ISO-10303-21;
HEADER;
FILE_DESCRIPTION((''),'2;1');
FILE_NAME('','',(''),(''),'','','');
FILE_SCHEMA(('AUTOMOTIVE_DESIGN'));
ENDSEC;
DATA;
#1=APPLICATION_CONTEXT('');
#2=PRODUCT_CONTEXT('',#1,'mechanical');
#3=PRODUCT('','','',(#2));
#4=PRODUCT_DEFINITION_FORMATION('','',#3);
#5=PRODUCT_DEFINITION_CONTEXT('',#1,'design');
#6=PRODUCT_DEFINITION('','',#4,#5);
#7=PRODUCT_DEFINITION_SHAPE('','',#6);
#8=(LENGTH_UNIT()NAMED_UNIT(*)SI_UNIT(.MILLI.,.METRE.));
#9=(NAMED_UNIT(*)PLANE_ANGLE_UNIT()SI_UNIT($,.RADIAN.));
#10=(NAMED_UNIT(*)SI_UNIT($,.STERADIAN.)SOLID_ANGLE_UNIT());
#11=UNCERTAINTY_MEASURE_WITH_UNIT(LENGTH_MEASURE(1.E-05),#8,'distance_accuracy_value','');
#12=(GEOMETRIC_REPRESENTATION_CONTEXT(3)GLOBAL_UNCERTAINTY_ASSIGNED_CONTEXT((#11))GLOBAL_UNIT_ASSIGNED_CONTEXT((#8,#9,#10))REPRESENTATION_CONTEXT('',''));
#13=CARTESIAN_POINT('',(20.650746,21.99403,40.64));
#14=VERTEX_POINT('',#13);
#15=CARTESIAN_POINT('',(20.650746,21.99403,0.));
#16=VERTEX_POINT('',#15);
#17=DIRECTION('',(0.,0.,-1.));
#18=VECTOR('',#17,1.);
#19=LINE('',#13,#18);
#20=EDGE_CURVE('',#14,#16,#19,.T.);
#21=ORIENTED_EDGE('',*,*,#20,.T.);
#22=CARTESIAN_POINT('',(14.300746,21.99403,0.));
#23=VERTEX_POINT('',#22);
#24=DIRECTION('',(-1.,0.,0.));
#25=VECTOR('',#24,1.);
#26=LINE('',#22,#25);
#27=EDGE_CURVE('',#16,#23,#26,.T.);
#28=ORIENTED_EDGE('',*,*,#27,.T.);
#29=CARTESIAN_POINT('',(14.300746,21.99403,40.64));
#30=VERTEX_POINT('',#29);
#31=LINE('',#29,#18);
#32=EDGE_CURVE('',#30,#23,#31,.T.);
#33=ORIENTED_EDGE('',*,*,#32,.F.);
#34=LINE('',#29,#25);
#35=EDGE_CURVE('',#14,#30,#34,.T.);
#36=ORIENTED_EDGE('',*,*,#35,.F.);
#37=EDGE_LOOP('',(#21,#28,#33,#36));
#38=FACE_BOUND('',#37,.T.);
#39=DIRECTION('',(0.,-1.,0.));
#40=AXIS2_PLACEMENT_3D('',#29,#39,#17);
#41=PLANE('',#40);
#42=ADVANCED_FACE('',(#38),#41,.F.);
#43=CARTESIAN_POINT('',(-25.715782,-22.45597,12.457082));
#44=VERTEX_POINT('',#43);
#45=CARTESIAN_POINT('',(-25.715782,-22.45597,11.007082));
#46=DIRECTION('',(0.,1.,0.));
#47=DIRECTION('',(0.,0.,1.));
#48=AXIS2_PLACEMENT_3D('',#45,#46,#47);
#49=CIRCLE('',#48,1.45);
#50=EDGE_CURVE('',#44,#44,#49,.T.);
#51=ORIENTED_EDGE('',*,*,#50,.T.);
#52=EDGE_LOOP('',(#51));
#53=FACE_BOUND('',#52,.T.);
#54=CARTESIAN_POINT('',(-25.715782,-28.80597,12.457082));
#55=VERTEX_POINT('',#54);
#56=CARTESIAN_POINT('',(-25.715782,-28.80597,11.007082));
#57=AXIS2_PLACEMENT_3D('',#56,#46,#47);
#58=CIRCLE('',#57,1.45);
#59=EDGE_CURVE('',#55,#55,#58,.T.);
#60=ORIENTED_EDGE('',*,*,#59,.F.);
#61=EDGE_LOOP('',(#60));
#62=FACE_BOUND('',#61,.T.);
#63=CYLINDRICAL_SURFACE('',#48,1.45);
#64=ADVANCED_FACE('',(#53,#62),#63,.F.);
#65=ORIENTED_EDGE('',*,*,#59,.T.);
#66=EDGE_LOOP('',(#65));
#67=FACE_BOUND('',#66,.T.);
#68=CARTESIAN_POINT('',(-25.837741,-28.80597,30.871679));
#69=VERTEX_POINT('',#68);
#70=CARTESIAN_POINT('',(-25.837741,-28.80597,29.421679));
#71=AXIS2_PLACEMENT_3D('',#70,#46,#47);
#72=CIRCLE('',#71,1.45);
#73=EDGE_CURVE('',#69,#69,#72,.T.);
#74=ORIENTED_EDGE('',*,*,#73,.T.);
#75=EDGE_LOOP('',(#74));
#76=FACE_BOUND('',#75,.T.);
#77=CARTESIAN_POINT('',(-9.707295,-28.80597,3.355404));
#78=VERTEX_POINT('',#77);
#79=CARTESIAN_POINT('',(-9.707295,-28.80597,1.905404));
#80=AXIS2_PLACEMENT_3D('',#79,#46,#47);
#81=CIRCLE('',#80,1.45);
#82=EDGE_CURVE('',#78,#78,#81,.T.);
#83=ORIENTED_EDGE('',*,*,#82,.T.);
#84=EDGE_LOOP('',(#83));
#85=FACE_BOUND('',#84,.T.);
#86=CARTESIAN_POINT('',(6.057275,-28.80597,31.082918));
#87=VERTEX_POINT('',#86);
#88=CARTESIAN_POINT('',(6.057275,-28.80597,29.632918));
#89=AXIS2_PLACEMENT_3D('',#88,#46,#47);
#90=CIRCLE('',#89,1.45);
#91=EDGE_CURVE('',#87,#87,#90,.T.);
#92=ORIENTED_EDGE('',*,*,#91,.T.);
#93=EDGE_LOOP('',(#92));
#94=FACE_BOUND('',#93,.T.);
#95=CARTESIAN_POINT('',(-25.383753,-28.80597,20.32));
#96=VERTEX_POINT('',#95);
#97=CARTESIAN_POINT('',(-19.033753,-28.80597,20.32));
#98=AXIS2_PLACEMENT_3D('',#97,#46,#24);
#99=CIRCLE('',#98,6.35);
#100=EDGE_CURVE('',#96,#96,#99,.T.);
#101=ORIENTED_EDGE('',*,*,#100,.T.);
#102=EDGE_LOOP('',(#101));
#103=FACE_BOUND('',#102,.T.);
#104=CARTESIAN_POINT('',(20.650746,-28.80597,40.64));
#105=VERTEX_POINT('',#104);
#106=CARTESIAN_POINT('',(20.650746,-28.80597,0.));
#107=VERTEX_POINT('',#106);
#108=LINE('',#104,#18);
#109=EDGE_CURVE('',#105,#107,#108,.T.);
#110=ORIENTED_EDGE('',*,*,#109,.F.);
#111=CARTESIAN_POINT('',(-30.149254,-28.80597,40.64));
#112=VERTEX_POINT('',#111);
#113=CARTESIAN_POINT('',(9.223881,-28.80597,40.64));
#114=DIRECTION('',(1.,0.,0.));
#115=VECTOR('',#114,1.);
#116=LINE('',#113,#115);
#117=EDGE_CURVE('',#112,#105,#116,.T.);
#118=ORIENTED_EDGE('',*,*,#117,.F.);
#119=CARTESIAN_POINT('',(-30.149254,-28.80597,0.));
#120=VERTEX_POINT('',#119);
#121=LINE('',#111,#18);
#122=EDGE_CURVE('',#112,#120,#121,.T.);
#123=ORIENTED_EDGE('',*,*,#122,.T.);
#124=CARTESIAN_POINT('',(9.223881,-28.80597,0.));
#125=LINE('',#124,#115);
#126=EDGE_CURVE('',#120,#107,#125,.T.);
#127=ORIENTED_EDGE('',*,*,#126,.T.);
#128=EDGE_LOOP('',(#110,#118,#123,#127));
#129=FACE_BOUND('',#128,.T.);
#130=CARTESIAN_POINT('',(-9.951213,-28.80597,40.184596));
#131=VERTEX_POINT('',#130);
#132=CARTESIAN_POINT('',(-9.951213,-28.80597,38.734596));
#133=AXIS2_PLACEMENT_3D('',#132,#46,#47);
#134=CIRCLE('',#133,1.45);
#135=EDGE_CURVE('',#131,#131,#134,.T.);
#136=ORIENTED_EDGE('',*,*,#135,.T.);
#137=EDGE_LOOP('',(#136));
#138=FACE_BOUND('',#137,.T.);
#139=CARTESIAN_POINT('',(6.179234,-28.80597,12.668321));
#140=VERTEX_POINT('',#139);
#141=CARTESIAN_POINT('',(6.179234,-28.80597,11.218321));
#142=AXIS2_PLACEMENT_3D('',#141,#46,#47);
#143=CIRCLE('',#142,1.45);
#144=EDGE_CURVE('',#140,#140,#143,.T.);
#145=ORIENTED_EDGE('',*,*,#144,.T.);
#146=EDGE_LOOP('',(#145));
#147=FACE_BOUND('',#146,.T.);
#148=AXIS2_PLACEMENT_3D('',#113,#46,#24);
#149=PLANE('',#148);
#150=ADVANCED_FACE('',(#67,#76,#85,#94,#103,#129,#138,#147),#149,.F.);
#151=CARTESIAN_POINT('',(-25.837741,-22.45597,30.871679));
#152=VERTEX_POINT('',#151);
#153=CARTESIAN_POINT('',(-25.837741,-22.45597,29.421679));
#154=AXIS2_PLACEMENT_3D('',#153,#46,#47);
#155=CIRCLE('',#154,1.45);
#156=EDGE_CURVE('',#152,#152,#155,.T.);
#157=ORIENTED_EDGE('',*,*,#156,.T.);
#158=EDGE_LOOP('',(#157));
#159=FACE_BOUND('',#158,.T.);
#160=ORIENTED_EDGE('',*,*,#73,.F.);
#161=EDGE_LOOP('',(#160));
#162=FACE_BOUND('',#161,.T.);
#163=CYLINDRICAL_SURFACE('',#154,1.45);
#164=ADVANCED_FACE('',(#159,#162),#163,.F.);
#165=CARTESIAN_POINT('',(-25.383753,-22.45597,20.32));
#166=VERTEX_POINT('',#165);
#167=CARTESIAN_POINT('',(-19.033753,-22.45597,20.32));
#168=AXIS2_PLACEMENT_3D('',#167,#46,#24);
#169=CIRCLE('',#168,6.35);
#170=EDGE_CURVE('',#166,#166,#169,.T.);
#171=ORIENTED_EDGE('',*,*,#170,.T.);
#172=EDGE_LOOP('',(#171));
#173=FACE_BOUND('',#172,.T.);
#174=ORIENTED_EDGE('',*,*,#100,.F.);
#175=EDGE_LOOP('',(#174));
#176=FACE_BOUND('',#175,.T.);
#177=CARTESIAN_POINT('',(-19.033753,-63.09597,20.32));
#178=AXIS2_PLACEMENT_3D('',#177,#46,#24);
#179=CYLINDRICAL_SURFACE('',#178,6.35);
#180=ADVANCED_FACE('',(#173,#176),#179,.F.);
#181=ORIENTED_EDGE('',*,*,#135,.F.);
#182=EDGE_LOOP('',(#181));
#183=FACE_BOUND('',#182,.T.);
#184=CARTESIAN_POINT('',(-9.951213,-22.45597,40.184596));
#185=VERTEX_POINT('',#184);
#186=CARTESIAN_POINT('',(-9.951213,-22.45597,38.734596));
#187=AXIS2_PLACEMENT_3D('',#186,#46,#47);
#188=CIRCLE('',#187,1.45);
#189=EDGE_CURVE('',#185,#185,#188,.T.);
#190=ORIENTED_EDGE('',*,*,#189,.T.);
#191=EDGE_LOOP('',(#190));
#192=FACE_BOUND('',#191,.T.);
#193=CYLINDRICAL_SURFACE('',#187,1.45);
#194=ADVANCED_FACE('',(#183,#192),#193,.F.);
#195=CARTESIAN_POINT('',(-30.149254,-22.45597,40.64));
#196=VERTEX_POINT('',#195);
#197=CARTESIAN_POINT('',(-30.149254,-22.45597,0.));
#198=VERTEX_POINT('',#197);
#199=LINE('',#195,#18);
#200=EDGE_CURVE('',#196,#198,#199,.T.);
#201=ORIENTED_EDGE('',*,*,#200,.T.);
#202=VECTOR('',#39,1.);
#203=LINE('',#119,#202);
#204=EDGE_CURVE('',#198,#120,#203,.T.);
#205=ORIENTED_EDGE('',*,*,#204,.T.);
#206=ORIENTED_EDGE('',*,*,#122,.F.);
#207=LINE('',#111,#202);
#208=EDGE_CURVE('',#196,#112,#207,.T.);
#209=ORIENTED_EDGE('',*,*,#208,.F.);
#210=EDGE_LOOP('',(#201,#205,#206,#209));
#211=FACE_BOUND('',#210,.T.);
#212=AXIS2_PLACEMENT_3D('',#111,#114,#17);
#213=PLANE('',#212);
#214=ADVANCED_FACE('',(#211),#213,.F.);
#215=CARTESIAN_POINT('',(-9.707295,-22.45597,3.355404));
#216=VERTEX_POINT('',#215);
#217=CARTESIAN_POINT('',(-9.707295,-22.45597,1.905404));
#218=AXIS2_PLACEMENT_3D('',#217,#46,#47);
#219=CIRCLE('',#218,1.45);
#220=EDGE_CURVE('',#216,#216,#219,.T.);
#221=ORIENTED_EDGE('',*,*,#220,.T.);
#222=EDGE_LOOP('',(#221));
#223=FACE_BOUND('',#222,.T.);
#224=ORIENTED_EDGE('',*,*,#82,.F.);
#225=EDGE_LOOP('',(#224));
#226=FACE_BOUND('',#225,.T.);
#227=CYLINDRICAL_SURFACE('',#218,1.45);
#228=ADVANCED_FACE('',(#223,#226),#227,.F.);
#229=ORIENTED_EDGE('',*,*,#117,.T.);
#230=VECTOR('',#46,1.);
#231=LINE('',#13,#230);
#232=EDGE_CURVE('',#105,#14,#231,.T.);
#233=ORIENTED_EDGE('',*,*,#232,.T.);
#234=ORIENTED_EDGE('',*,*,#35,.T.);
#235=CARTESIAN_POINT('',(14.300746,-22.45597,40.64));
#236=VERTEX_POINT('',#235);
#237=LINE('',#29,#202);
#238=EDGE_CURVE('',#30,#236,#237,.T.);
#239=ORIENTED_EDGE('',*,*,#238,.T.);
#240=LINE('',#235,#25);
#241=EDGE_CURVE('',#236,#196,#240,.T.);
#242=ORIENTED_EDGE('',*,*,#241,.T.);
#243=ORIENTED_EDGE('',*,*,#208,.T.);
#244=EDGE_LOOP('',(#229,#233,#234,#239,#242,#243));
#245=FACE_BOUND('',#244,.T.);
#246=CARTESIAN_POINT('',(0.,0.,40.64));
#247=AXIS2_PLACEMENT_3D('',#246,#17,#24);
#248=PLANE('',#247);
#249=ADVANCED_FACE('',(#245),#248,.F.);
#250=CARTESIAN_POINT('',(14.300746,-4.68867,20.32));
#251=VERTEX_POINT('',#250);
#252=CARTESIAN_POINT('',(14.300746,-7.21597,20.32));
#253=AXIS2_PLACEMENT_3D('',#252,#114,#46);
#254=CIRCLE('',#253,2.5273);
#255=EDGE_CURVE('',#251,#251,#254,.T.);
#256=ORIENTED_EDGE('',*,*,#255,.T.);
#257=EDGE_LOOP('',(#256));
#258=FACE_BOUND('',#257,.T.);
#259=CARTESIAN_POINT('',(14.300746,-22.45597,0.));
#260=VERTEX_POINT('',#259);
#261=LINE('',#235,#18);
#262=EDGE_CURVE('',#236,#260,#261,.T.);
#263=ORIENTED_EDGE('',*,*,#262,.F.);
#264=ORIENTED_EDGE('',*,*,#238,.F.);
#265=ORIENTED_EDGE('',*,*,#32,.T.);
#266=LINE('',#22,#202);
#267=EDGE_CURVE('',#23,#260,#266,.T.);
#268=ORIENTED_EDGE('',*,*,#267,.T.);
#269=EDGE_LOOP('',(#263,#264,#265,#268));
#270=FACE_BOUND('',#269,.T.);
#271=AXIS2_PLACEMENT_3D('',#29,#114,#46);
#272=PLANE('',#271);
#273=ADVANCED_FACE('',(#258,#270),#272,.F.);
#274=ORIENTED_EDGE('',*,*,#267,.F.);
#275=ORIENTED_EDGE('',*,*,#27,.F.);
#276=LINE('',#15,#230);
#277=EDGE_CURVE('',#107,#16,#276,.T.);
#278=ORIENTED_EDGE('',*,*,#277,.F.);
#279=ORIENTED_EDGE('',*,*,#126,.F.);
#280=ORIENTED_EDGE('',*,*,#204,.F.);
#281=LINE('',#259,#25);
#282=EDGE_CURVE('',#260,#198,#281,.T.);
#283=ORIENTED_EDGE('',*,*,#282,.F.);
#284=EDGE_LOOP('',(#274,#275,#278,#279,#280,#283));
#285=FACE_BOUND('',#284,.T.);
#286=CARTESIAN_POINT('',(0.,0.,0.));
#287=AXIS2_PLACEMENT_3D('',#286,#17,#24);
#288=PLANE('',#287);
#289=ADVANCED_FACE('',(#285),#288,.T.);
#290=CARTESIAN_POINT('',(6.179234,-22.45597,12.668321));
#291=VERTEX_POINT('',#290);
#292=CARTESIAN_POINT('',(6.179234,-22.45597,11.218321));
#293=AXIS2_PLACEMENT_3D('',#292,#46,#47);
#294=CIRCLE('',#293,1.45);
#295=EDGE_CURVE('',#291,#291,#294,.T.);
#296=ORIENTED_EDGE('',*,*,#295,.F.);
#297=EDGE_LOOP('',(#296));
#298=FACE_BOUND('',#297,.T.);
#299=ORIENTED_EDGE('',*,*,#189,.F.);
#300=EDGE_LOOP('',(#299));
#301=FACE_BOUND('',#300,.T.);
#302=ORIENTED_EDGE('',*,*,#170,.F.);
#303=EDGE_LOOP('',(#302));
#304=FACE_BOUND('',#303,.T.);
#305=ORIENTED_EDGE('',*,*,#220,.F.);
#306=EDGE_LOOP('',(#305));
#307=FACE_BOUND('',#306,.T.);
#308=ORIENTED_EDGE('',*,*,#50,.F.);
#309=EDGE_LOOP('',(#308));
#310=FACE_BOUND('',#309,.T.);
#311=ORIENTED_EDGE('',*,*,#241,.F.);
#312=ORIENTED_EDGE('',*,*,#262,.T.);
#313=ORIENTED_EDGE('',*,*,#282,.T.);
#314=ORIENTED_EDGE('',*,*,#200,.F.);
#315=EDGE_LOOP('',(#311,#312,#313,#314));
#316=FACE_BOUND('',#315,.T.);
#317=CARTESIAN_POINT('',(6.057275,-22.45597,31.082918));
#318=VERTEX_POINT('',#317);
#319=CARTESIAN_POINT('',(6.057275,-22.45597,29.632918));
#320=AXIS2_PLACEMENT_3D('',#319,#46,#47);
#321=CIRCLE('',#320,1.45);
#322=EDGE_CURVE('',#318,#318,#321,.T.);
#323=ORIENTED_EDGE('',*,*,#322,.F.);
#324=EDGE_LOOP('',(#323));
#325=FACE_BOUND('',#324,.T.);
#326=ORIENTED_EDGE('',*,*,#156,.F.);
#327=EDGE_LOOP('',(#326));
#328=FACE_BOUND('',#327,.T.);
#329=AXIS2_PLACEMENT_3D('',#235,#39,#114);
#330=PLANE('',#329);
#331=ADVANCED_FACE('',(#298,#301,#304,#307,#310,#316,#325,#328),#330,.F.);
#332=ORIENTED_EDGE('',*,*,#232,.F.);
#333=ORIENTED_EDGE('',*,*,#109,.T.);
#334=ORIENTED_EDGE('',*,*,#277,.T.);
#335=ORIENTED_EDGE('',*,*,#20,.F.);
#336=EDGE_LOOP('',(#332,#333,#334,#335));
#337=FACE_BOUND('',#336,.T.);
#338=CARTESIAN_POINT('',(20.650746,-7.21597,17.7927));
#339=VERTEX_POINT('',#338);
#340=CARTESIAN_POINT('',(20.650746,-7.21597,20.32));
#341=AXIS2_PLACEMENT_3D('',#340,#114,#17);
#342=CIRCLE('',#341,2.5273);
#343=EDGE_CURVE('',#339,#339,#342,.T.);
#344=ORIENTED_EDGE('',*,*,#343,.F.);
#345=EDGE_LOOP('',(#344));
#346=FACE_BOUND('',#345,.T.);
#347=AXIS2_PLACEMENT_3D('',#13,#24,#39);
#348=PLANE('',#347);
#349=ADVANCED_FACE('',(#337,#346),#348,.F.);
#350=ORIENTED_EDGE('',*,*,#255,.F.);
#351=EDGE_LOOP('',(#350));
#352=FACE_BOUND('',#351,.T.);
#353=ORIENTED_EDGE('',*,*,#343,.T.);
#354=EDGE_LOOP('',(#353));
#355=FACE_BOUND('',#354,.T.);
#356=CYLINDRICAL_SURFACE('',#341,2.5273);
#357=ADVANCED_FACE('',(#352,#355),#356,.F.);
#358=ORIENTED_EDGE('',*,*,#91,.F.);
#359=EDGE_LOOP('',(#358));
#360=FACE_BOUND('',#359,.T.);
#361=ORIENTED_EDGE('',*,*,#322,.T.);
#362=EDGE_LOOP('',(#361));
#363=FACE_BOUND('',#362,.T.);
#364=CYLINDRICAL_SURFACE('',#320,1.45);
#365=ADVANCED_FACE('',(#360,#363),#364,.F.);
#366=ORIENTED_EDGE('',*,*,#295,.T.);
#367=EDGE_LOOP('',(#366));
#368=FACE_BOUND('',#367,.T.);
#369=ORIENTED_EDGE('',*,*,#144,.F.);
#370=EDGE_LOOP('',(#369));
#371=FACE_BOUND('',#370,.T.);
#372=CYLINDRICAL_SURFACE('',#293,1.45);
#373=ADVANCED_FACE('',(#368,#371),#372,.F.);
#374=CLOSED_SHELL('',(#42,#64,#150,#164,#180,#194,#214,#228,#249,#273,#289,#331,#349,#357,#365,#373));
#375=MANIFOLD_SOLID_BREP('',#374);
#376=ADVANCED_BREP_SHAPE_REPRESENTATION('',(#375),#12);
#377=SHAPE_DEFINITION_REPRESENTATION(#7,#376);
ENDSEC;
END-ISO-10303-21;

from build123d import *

# Parameters (mm, degrees)
BOSS_EXTRUDE1_DEPTH           = 40.64
F_8_0_199_DIAMETER_HOLE1_D    = 5.0546
SKETCH7_R                     = 6.35
CUT_EXTRUDE1_DEPTH            = 40.64
TAP_DRILL_FOR_M3_5X0_6_TAP1_D = 2.9


with BuildPart() as part:
    # Sketch4 → Boss-Extrude1 (new body)
    with BuildSketch(Plane.XY):
        Polygon((14.300746269, 21.994029851), (20.650746269, 21.994029851), (20.650746269, -28.805970149), (9.223880597, -28.805970149), (-30.149253731, -28.805970149), (-30.149253731, -22.455970149), (14.300746269, -22.455970149), align=None)
    extrude(amount=BOSS_EXTRUDE1_DEPTH)

    # #8 (0.199) Diameter Hole1 (through all)
    with Locations(Plane(origin=(20.650746269, 0, 0), x_dir=(0, 0, -1), z_dir=(1, 0, 0))):
        with Locations((-20.32, -7.215970149)):
            Hole(F_8_0_199_DIAMETER_HOLE1_D / 2)

    # Sketch7 → Cut-Extrude1 (cut)
    with BuildSketch(Plane(origin=(0, -22.455970149, 0), x_dir=(1, 0, 0), z_dir=(0, 1, 0))):
        with Locations(Location((-19.033752527, -20.32, 0), (0, 0, 180))):
            Circle(SKETCH7_R)
    extrude(amount=-CUT_EXTRUDE1_DEPTH, mode=Mode.SUBTRACT)

    # Tap Drill for M3.5x0.6 Tap1 (through all)
    with Locations(Plane(origin=(0, -22.455970149, 0), x_dir=(1, 0, 0), z_dir=(0, 1, 0))):
        with Locations((-25.715782321, -11.007082392), (-25.837741258, -29.421678533), (-9.951212668, -38.73459614), (-9.707294794, -1.90540386), (6.179233795, -11.218321467), (6.057274858, -29.632917608)):
            Hole(TAP_DRILL_FOR_M3_5X0_6_TAP1_D / 2)


solid = part.part
